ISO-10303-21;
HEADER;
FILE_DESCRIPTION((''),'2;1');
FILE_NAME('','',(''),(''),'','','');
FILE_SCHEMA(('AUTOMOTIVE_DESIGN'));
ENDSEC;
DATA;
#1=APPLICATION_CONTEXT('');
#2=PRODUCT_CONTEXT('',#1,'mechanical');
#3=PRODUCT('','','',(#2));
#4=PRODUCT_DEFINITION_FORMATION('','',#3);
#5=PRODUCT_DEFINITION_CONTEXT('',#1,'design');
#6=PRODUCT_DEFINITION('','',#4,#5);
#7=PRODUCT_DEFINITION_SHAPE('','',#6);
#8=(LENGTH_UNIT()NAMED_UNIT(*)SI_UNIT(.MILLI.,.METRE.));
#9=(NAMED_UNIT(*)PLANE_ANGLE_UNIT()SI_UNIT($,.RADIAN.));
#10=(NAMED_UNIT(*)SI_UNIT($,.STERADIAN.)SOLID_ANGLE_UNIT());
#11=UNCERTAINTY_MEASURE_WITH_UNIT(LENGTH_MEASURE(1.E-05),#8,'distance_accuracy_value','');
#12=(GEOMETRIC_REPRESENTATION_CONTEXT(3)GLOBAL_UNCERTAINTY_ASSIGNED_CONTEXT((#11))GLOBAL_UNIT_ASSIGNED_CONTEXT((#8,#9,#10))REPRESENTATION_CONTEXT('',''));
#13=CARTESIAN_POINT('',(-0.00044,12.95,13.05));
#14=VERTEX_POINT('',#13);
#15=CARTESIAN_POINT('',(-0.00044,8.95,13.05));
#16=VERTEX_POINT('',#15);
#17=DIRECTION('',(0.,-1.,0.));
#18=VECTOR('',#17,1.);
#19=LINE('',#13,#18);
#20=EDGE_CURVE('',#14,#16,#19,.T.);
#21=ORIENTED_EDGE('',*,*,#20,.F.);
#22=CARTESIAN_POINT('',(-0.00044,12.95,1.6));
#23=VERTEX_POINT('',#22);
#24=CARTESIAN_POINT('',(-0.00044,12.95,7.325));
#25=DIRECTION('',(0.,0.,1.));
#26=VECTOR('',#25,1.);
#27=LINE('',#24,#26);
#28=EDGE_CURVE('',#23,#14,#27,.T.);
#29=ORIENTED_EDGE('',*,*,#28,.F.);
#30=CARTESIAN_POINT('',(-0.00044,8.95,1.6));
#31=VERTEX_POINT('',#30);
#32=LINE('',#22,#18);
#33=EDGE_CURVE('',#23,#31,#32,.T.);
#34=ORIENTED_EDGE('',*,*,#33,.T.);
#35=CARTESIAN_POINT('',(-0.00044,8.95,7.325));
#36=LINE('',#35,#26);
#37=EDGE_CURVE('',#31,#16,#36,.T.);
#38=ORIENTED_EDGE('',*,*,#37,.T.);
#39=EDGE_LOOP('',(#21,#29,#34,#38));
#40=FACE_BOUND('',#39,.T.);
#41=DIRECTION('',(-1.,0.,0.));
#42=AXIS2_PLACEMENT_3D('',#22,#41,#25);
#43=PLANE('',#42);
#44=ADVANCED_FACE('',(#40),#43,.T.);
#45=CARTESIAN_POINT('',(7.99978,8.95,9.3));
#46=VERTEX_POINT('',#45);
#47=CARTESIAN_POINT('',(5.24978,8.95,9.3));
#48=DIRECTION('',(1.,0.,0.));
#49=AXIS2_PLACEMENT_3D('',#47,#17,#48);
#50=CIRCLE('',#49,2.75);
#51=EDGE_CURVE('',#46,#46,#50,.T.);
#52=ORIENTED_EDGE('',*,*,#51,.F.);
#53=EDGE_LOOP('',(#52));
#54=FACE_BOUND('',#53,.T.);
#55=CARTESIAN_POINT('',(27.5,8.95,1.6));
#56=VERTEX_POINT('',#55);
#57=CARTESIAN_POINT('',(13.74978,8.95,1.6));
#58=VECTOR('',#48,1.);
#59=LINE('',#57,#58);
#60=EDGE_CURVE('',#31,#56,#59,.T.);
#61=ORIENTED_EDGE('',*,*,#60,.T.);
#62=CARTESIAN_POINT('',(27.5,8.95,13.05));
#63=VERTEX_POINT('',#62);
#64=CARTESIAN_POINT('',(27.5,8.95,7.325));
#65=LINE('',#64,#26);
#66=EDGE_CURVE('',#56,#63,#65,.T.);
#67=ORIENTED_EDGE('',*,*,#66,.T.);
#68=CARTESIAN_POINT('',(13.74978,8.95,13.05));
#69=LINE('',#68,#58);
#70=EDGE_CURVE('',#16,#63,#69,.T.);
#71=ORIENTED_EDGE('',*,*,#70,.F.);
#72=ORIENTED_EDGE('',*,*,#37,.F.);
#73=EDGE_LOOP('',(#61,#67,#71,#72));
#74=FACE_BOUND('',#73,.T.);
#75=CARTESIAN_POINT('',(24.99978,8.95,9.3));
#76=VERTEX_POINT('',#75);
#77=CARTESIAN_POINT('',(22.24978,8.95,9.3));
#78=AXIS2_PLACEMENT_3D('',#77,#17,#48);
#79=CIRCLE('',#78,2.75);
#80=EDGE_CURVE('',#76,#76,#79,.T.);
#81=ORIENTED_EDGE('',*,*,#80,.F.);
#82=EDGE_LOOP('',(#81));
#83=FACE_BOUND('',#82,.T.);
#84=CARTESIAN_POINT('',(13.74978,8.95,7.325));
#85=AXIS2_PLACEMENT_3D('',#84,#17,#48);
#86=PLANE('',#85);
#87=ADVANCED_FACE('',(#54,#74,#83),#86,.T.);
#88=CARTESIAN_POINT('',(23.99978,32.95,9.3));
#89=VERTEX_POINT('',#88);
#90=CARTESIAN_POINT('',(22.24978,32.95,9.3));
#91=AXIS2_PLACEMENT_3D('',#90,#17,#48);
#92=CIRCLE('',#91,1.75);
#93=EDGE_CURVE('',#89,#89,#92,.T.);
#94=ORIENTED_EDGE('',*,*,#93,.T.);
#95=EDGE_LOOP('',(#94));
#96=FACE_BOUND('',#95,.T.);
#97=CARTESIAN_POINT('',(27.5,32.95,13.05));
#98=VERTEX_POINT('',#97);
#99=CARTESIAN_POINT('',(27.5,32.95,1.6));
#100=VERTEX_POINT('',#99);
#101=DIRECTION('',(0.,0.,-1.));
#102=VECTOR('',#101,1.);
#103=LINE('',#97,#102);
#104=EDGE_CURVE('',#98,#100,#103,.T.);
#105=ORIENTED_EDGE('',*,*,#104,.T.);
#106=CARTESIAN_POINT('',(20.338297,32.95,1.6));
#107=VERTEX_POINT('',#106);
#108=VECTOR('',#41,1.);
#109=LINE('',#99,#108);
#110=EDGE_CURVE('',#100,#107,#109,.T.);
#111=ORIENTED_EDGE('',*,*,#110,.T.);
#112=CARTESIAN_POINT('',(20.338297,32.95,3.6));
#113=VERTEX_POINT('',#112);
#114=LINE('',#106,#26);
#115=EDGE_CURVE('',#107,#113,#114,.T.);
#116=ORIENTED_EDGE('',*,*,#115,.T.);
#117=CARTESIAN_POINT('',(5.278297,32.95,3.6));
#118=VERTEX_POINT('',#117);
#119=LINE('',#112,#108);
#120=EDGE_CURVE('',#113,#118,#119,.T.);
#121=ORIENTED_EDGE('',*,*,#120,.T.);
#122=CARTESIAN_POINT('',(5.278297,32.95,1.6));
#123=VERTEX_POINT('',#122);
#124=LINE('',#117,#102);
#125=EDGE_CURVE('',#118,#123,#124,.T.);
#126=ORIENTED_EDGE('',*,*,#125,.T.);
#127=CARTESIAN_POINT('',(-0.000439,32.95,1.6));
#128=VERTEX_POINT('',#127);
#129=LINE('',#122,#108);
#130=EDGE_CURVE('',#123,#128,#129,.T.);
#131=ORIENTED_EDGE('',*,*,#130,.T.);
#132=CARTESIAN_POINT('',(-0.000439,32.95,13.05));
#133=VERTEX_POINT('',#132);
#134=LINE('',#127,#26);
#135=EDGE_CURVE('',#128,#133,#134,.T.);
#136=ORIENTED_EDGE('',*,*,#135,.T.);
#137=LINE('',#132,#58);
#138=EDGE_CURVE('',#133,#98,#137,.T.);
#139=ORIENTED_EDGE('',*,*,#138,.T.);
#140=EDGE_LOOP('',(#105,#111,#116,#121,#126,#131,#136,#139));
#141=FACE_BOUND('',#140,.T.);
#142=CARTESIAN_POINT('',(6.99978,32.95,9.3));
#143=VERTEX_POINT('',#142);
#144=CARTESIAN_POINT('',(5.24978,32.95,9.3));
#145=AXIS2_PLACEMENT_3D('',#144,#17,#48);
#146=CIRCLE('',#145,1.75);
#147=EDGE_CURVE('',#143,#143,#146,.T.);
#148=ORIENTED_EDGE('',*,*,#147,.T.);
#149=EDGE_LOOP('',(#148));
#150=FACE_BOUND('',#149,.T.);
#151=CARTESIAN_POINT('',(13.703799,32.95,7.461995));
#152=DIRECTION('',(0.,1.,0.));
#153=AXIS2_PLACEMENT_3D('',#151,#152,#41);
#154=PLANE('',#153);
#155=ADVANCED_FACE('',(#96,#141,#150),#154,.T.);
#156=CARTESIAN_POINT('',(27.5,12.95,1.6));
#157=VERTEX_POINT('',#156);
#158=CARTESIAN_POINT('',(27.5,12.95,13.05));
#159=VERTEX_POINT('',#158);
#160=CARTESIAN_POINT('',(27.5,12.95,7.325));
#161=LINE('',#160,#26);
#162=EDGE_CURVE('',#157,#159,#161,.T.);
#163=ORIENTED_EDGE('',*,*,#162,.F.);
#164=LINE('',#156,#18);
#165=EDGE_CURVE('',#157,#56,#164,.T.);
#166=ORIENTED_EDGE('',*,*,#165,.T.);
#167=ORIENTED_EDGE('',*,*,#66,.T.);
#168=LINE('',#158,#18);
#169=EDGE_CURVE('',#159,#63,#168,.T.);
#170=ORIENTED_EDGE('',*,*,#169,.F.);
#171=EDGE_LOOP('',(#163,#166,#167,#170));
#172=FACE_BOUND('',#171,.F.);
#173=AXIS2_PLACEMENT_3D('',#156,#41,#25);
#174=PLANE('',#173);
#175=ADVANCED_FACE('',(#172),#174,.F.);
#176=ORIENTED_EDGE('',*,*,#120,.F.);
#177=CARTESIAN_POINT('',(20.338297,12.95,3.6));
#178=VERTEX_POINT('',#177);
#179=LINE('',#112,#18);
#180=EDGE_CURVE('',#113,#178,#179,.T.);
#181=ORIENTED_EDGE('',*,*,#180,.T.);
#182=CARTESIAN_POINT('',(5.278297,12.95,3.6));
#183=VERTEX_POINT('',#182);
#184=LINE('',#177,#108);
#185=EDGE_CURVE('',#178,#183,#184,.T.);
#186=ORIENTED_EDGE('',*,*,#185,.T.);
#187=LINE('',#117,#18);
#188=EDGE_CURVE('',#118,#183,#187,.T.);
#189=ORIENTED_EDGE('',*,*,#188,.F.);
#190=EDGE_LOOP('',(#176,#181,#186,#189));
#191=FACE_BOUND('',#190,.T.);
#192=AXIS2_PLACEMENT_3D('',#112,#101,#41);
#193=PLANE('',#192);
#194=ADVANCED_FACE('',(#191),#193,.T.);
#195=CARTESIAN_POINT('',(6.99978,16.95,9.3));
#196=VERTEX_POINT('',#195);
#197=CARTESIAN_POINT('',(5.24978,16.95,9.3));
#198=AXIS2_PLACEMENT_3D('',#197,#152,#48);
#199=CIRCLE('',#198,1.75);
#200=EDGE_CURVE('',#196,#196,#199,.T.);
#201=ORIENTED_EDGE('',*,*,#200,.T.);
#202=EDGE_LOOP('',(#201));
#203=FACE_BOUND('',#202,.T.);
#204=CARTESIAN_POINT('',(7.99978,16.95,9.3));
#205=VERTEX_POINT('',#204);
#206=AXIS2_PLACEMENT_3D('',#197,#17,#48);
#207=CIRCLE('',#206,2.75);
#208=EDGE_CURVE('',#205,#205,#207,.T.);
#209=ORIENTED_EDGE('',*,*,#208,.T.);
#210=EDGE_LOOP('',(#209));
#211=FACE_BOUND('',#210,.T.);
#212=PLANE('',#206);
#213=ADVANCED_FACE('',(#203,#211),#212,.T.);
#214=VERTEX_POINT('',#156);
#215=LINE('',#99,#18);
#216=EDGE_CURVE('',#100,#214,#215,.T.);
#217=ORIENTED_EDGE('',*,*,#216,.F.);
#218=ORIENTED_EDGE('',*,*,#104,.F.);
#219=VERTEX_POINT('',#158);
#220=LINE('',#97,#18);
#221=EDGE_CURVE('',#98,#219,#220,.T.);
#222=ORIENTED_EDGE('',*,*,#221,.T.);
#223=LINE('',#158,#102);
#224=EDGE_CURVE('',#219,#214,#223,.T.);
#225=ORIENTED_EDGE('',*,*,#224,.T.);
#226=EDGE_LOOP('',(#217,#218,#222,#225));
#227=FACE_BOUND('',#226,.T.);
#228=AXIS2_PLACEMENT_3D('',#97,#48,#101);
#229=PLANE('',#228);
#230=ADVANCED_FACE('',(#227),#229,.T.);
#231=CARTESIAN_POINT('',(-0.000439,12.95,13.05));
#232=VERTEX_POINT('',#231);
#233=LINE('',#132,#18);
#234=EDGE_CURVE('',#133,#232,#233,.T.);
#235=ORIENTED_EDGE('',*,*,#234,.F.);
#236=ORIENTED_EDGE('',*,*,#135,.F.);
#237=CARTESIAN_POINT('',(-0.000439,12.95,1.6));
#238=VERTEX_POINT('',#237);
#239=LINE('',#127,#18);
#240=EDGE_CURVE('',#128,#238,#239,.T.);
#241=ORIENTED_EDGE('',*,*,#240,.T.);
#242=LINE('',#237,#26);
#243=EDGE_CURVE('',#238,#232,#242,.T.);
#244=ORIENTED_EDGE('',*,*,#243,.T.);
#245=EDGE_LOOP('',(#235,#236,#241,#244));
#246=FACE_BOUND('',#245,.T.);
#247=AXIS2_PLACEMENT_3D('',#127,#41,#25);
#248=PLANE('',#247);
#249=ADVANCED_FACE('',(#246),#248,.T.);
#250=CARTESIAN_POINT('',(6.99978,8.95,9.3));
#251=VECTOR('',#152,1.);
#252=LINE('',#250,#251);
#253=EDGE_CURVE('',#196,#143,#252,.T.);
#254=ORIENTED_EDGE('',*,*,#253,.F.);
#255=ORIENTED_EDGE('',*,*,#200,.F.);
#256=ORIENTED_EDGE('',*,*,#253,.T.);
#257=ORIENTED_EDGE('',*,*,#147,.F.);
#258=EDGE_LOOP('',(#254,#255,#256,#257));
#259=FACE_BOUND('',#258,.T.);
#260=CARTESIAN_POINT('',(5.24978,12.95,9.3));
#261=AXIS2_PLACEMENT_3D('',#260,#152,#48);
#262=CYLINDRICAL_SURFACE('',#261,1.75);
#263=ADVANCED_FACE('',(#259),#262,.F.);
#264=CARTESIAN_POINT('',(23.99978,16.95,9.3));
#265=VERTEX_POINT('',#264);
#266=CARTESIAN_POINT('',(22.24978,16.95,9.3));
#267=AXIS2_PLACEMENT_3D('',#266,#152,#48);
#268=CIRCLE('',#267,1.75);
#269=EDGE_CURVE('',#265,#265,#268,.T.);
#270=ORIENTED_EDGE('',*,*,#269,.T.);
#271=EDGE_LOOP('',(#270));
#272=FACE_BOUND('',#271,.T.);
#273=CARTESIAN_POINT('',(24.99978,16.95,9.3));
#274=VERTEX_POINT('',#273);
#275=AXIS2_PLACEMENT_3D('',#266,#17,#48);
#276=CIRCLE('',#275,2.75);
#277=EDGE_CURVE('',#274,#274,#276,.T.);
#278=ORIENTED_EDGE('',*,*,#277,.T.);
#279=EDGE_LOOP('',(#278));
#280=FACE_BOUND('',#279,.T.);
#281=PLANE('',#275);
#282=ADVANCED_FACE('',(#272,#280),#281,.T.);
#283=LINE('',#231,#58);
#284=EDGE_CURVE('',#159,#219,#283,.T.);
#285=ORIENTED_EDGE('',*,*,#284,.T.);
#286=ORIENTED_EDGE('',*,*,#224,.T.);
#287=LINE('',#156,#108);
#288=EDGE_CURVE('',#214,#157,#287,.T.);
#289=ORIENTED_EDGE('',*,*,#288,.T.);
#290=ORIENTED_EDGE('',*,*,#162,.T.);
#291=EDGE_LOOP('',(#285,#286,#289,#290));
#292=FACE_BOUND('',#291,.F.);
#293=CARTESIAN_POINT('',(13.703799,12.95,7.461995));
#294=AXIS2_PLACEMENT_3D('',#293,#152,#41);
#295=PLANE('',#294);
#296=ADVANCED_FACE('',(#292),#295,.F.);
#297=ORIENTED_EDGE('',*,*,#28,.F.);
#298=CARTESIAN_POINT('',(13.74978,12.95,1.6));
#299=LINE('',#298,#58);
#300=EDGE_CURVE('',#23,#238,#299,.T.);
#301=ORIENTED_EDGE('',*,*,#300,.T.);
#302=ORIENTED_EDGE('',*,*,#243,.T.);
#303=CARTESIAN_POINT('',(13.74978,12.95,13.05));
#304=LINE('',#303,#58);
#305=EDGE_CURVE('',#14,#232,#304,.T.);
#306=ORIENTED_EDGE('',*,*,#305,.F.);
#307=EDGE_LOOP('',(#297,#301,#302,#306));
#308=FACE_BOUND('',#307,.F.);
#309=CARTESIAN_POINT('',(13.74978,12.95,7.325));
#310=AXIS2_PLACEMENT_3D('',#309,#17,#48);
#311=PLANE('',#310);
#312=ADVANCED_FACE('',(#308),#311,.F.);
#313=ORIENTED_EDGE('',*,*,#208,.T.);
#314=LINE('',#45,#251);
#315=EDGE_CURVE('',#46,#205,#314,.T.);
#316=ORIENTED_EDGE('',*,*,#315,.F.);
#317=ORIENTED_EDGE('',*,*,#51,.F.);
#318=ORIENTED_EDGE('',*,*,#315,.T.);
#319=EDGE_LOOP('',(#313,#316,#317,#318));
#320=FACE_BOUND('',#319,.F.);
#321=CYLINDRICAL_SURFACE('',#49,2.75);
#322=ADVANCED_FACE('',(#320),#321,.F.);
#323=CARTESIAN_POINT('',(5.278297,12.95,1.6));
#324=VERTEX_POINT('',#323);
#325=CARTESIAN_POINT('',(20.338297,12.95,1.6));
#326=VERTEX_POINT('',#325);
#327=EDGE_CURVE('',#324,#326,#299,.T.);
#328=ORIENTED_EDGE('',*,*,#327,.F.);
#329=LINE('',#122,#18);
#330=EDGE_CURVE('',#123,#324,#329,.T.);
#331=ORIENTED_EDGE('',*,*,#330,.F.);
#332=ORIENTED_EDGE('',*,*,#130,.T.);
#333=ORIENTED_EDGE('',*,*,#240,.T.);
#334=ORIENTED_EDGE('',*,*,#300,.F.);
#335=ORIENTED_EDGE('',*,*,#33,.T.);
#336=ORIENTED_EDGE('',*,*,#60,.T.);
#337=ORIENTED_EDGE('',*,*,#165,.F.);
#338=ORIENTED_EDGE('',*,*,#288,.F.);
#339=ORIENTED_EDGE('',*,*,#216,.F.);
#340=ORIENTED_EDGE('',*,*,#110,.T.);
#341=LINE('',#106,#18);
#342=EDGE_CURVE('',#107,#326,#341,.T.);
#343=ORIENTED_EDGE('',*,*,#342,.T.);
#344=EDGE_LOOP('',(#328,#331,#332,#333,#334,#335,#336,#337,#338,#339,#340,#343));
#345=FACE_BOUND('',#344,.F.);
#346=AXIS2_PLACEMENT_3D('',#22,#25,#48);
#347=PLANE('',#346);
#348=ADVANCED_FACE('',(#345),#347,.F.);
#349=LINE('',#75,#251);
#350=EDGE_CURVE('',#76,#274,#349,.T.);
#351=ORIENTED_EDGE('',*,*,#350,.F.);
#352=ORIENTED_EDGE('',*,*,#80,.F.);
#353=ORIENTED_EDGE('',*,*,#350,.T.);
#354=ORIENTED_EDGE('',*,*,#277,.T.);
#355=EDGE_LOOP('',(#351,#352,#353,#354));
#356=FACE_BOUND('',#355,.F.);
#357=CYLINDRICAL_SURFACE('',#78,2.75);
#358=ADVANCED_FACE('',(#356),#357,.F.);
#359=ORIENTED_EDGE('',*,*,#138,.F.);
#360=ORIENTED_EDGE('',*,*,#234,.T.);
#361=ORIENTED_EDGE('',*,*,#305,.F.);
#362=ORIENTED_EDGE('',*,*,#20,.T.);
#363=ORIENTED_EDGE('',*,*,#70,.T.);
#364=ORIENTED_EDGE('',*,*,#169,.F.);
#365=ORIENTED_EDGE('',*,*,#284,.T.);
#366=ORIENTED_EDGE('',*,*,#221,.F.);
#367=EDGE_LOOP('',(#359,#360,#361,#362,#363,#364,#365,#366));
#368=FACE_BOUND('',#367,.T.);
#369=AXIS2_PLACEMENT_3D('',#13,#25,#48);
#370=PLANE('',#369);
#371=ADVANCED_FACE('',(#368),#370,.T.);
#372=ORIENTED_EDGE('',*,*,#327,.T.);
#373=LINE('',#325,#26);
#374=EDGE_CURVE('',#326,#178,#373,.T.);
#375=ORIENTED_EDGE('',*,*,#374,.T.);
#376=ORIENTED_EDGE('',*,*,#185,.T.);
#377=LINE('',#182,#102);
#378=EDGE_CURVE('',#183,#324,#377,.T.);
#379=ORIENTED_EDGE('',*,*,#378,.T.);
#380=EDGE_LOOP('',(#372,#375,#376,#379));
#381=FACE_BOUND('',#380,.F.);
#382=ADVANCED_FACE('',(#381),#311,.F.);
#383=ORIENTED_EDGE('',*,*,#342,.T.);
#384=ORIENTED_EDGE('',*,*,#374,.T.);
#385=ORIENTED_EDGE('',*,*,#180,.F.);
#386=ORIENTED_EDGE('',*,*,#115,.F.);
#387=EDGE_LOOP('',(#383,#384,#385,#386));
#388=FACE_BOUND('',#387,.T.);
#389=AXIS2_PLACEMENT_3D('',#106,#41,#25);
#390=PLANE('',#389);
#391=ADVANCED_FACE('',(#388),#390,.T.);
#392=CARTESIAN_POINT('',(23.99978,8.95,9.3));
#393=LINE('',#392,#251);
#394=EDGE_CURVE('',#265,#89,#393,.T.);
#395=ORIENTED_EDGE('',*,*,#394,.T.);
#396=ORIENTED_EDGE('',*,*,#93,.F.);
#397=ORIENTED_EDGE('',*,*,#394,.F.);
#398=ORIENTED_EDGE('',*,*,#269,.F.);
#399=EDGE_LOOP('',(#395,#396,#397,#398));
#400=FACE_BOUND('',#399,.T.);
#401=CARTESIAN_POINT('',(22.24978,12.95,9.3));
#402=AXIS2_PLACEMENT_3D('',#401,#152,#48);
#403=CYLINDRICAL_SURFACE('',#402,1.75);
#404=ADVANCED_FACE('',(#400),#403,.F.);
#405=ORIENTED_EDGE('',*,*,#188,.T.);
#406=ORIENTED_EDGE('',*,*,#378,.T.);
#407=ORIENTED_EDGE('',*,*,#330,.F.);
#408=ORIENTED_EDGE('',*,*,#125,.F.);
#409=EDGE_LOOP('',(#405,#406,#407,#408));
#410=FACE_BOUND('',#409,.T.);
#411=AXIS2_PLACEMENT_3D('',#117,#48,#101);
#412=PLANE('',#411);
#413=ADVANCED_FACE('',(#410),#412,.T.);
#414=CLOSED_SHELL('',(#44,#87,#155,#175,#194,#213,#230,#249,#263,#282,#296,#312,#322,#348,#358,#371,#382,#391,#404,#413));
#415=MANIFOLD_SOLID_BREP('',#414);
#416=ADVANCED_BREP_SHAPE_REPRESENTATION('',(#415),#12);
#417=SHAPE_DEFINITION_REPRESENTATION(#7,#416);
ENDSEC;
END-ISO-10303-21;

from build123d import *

# Parameters (mm, degrees)
SKETCH018_R     = 1.75
PAD009_DEPTH    = 20
SKETCH019_W     = 27.500439
SKETCH019_H     = 11.45
SKETCH019_R     = 1.75
PAD010_DEPTH    = 4
SKETCH020_R     = 2.75
POCKET009_DEPTH = 8


with BuildPart() as part:
    # Sketch018 (on Face27 of Binder005) → Pad009 (new body)
    with BuildSketch(Plane.XZ.offset(-32.95)):
        Polygon((-0.000439, 13.05), (27.5, 13.05), (27.5, 1.6), (20.338297, 1.6), (20.338297, 3.6), (5.278297, 3.6), (5.278297, 1.6), (-0.000439, 1.6), align=None)
        with Locations((5.24978, 9.3)):
            Circle(SKETCH018_R, mode=Mode.SUBTRACT)
        with Locations((22.24978, 9.3)):
            Circle(SKETCH018_R, mode=Mode.SUBTRACT)
    extrude(amount=PAD009_DEPTH)

    # Sketch019 (on Face12 of Pad009) → Pad010 (join)
    with BuildSketch(Plane.XZ.offset(-12.95)):
        with Locations((13.74978, 7.325)):
            Rectangle(SKETCH019_W, SKETCH019_H)
        with Locations((5.24978, 9.3)):
            Circle(SKETCH019_R, mode=Mode.SUBTRACT)
        with Locations((22.24978, 9.3)):
            Circle(SKETCH019_R, mode=Mode.SUBTRACT)
    extrude(amount=PAD010_DEPTH)

    # Sketch020 (on Face1 of Pad010) → Pocket009 (cut)
    with BuildSketch(Plane.XZ.offset(-8.95)):
        with Locations((22.24978, 9.3)):
            Circle(SKETCH020_R)
        with Locations((5.24978, 9.3)):
            Circle(SKETCH020_R)
    extrude(amount=-POCKET009_DEPTH, mode=Mode.SUBTRACT)


solid = part.part
